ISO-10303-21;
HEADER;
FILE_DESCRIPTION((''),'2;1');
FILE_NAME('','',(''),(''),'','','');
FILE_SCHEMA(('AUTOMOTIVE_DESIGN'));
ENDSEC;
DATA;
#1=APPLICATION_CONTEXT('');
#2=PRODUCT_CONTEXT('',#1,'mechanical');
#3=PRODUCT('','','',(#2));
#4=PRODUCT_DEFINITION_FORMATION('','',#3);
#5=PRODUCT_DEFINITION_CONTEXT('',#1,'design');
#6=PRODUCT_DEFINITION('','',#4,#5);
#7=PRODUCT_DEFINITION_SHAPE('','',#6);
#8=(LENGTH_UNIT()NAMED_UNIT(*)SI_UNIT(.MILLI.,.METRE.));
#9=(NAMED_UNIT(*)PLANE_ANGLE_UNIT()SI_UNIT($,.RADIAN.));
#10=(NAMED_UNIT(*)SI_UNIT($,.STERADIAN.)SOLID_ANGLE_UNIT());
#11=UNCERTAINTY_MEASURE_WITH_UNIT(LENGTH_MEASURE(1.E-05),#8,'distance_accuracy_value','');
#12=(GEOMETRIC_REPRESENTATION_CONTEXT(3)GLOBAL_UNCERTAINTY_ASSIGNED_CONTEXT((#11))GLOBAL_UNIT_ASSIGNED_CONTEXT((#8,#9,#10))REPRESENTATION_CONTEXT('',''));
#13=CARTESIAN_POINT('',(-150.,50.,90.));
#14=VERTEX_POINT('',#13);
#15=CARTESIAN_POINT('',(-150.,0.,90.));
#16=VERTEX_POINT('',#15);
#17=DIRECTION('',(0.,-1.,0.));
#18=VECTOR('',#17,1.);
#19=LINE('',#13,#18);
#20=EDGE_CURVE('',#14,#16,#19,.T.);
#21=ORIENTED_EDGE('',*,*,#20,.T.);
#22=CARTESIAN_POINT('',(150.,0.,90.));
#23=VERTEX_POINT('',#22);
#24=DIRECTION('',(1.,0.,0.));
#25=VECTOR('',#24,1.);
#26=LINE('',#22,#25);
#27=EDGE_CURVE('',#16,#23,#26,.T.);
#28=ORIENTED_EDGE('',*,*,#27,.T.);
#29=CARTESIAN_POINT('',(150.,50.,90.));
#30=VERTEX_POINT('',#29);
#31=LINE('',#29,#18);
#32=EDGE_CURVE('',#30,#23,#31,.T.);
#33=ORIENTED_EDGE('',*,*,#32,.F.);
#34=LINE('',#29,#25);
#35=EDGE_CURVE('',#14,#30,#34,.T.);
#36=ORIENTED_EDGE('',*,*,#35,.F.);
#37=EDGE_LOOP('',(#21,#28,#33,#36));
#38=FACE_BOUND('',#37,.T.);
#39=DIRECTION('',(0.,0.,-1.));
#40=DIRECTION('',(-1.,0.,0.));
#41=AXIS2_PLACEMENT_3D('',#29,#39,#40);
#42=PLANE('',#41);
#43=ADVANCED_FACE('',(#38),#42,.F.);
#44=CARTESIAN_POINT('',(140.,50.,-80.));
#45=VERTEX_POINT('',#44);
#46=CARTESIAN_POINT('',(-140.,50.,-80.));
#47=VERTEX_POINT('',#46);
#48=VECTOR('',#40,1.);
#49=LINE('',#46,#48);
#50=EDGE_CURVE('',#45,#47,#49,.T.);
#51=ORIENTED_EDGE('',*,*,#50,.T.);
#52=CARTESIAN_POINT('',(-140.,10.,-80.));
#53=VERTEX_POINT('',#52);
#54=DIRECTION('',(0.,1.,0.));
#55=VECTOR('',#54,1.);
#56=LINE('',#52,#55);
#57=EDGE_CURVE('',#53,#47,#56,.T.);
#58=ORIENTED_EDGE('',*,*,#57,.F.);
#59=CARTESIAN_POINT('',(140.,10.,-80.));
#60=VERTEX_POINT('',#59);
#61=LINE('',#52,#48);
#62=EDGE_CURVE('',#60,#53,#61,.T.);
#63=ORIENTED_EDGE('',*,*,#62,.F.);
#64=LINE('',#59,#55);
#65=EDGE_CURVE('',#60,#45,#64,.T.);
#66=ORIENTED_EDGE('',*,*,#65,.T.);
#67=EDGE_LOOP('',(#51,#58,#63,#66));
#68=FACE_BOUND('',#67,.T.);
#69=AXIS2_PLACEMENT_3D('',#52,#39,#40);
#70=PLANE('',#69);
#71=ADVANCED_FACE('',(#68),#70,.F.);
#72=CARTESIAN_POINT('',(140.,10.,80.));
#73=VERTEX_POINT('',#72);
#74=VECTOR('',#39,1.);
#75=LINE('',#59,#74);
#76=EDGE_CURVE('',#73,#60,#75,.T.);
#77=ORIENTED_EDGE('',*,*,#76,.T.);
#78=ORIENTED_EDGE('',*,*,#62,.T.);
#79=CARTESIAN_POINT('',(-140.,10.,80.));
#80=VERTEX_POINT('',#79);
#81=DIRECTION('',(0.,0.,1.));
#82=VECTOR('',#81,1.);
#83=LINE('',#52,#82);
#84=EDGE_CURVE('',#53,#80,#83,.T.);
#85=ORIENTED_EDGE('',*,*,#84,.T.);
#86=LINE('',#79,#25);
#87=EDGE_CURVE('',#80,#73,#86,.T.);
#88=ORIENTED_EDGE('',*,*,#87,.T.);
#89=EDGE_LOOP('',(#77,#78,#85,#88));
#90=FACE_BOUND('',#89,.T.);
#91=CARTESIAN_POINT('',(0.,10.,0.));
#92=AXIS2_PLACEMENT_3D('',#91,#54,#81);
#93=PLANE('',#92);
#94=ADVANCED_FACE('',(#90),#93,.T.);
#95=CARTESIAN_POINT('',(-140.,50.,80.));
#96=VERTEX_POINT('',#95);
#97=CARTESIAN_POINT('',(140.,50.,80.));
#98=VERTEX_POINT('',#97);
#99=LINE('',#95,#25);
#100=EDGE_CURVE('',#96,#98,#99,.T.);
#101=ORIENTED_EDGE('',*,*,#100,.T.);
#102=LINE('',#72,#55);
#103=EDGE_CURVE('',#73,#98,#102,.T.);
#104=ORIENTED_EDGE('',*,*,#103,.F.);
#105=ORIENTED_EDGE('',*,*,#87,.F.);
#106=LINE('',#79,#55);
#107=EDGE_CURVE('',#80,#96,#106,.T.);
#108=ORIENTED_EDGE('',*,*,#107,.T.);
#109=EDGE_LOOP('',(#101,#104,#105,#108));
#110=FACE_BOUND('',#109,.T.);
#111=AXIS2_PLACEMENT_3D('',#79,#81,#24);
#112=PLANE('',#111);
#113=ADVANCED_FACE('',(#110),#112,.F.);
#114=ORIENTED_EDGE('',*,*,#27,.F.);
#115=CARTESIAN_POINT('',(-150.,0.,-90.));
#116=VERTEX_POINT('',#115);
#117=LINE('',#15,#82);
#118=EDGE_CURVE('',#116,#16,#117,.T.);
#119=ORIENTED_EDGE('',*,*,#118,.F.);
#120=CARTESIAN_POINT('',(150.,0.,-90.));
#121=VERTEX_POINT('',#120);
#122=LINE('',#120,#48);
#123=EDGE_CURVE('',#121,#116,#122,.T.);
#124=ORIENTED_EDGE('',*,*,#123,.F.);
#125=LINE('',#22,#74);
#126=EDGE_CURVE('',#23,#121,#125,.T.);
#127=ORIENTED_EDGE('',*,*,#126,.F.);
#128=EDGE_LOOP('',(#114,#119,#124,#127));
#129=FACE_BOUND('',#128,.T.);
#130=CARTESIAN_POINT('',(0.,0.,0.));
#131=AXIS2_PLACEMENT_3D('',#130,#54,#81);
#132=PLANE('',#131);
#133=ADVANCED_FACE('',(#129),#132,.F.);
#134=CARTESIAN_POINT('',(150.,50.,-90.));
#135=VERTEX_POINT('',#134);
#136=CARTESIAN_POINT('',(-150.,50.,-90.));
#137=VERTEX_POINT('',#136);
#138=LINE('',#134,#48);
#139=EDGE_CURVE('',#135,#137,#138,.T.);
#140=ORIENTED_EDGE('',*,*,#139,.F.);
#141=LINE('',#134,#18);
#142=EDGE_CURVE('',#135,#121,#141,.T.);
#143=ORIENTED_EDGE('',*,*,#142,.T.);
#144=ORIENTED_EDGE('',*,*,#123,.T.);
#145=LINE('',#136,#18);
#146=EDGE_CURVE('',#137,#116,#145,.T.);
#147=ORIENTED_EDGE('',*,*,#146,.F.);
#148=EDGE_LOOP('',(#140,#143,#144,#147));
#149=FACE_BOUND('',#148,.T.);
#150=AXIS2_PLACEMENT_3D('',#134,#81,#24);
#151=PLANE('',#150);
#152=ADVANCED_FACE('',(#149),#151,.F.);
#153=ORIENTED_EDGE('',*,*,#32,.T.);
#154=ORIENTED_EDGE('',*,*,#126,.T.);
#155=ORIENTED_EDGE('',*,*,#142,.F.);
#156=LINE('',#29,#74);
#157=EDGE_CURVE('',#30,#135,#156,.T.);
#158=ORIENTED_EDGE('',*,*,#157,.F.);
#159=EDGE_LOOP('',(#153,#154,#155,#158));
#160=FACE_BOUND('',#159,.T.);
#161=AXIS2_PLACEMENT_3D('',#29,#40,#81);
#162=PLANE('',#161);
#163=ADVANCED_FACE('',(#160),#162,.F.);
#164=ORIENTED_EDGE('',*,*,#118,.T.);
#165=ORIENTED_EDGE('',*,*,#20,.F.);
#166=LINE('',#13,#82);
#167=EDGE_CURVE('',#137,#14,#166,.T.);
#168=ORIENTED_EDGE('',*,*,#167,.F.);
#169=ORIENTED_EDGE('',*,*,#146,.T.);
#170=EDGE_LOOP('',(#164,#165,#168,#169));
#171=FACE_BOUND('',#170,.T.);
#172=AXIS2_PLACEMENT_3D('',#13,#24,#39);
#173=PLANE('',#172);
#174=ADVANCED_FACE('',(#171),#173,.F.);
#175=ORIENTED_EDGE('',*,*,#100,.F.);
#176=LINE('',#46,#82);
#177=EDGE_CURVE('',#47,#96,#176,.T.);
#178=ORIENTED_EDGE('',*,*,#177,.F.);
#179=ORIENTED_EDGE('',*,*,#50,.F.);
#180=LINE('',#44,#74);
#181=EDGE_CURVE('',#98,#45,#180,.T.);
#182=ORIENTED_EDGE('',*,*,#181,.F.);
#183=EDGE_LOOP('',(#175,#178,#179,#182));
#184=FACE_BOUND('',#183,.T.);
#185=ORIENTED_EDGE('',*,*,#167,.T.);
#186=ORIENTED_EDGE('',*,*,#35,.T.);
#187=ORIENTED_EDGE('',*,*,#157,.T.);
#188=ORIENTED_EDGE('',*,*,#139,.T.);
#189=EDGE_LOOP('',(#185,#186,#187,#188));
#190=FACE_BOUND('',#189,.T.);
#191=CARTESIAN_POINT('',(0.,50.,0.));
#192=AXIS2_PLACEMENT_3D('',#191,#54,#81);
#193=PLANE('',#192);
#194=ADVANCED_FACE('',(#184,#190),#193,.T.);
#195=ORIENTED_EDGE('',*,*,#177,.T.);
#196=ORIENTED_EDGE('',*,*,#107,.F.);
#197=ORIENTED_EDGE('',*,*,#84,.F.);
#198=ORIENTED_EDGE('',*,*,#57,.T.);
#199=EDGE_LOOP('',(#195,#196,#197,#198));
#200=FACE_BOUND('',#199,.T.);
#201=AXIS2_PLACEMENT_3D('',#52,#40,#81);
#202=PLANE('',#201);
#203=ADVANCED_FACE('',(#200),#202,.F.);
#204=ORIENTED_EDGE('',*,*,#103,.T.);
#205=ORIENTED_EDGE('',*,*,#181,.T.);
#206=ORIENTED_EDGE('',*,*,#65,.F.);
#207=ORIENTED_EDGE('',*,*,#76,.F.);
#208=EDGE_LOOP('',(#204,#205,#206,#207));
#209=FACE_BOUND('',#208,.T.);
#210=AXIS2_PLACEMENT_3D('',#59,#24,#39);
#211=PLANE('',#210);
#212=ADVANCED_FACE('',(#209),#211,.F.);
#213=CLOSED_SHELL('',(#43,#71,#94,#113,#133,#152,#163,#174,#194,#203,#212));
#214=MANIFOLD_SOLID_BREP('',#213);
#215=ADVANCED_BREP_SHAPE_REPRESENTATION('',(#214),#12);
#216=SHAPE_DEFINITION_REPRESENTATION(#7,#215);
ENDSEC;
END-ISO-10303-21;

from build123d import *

# Parameters (mm, degrees)
SKETCH1_W           = 300
SKETCH1_H           = 180
BOSS_EXTRUDE1_DEPTH = 50
SKETCH2_W           = 280
SKETCH2_H           = 160
CUT_EXTRUDE1_DEPTH  = 40


with BuildPart() as part:
    # Sketch1 → Boss-Extrude1 (new body)
    with BuildSketch(Plane(origin=(0, 0, 0), x_dir=(1, 0, 0), z_dir=(0, 1, 0))):
        Rectangle(SKETCH1_W, SKETCH1_H)
    extrude(amount=BOSS_EXTRUDE1_DEPTH)

    # Sketch2 → Cut-Extrude1 (cut)
    with BuildSketch(Plane(origin=(0, 50, 0), x_dir=(1, 0, 0), z_dir=(0, 1, 0))):
        Rectangle(SKETCH2_W, SKETCH2_H)
    extrude(amount=-CUT_EXTRUDE1_DEPTH, mode=Mode.SUBTRACT)


solid = part.part
